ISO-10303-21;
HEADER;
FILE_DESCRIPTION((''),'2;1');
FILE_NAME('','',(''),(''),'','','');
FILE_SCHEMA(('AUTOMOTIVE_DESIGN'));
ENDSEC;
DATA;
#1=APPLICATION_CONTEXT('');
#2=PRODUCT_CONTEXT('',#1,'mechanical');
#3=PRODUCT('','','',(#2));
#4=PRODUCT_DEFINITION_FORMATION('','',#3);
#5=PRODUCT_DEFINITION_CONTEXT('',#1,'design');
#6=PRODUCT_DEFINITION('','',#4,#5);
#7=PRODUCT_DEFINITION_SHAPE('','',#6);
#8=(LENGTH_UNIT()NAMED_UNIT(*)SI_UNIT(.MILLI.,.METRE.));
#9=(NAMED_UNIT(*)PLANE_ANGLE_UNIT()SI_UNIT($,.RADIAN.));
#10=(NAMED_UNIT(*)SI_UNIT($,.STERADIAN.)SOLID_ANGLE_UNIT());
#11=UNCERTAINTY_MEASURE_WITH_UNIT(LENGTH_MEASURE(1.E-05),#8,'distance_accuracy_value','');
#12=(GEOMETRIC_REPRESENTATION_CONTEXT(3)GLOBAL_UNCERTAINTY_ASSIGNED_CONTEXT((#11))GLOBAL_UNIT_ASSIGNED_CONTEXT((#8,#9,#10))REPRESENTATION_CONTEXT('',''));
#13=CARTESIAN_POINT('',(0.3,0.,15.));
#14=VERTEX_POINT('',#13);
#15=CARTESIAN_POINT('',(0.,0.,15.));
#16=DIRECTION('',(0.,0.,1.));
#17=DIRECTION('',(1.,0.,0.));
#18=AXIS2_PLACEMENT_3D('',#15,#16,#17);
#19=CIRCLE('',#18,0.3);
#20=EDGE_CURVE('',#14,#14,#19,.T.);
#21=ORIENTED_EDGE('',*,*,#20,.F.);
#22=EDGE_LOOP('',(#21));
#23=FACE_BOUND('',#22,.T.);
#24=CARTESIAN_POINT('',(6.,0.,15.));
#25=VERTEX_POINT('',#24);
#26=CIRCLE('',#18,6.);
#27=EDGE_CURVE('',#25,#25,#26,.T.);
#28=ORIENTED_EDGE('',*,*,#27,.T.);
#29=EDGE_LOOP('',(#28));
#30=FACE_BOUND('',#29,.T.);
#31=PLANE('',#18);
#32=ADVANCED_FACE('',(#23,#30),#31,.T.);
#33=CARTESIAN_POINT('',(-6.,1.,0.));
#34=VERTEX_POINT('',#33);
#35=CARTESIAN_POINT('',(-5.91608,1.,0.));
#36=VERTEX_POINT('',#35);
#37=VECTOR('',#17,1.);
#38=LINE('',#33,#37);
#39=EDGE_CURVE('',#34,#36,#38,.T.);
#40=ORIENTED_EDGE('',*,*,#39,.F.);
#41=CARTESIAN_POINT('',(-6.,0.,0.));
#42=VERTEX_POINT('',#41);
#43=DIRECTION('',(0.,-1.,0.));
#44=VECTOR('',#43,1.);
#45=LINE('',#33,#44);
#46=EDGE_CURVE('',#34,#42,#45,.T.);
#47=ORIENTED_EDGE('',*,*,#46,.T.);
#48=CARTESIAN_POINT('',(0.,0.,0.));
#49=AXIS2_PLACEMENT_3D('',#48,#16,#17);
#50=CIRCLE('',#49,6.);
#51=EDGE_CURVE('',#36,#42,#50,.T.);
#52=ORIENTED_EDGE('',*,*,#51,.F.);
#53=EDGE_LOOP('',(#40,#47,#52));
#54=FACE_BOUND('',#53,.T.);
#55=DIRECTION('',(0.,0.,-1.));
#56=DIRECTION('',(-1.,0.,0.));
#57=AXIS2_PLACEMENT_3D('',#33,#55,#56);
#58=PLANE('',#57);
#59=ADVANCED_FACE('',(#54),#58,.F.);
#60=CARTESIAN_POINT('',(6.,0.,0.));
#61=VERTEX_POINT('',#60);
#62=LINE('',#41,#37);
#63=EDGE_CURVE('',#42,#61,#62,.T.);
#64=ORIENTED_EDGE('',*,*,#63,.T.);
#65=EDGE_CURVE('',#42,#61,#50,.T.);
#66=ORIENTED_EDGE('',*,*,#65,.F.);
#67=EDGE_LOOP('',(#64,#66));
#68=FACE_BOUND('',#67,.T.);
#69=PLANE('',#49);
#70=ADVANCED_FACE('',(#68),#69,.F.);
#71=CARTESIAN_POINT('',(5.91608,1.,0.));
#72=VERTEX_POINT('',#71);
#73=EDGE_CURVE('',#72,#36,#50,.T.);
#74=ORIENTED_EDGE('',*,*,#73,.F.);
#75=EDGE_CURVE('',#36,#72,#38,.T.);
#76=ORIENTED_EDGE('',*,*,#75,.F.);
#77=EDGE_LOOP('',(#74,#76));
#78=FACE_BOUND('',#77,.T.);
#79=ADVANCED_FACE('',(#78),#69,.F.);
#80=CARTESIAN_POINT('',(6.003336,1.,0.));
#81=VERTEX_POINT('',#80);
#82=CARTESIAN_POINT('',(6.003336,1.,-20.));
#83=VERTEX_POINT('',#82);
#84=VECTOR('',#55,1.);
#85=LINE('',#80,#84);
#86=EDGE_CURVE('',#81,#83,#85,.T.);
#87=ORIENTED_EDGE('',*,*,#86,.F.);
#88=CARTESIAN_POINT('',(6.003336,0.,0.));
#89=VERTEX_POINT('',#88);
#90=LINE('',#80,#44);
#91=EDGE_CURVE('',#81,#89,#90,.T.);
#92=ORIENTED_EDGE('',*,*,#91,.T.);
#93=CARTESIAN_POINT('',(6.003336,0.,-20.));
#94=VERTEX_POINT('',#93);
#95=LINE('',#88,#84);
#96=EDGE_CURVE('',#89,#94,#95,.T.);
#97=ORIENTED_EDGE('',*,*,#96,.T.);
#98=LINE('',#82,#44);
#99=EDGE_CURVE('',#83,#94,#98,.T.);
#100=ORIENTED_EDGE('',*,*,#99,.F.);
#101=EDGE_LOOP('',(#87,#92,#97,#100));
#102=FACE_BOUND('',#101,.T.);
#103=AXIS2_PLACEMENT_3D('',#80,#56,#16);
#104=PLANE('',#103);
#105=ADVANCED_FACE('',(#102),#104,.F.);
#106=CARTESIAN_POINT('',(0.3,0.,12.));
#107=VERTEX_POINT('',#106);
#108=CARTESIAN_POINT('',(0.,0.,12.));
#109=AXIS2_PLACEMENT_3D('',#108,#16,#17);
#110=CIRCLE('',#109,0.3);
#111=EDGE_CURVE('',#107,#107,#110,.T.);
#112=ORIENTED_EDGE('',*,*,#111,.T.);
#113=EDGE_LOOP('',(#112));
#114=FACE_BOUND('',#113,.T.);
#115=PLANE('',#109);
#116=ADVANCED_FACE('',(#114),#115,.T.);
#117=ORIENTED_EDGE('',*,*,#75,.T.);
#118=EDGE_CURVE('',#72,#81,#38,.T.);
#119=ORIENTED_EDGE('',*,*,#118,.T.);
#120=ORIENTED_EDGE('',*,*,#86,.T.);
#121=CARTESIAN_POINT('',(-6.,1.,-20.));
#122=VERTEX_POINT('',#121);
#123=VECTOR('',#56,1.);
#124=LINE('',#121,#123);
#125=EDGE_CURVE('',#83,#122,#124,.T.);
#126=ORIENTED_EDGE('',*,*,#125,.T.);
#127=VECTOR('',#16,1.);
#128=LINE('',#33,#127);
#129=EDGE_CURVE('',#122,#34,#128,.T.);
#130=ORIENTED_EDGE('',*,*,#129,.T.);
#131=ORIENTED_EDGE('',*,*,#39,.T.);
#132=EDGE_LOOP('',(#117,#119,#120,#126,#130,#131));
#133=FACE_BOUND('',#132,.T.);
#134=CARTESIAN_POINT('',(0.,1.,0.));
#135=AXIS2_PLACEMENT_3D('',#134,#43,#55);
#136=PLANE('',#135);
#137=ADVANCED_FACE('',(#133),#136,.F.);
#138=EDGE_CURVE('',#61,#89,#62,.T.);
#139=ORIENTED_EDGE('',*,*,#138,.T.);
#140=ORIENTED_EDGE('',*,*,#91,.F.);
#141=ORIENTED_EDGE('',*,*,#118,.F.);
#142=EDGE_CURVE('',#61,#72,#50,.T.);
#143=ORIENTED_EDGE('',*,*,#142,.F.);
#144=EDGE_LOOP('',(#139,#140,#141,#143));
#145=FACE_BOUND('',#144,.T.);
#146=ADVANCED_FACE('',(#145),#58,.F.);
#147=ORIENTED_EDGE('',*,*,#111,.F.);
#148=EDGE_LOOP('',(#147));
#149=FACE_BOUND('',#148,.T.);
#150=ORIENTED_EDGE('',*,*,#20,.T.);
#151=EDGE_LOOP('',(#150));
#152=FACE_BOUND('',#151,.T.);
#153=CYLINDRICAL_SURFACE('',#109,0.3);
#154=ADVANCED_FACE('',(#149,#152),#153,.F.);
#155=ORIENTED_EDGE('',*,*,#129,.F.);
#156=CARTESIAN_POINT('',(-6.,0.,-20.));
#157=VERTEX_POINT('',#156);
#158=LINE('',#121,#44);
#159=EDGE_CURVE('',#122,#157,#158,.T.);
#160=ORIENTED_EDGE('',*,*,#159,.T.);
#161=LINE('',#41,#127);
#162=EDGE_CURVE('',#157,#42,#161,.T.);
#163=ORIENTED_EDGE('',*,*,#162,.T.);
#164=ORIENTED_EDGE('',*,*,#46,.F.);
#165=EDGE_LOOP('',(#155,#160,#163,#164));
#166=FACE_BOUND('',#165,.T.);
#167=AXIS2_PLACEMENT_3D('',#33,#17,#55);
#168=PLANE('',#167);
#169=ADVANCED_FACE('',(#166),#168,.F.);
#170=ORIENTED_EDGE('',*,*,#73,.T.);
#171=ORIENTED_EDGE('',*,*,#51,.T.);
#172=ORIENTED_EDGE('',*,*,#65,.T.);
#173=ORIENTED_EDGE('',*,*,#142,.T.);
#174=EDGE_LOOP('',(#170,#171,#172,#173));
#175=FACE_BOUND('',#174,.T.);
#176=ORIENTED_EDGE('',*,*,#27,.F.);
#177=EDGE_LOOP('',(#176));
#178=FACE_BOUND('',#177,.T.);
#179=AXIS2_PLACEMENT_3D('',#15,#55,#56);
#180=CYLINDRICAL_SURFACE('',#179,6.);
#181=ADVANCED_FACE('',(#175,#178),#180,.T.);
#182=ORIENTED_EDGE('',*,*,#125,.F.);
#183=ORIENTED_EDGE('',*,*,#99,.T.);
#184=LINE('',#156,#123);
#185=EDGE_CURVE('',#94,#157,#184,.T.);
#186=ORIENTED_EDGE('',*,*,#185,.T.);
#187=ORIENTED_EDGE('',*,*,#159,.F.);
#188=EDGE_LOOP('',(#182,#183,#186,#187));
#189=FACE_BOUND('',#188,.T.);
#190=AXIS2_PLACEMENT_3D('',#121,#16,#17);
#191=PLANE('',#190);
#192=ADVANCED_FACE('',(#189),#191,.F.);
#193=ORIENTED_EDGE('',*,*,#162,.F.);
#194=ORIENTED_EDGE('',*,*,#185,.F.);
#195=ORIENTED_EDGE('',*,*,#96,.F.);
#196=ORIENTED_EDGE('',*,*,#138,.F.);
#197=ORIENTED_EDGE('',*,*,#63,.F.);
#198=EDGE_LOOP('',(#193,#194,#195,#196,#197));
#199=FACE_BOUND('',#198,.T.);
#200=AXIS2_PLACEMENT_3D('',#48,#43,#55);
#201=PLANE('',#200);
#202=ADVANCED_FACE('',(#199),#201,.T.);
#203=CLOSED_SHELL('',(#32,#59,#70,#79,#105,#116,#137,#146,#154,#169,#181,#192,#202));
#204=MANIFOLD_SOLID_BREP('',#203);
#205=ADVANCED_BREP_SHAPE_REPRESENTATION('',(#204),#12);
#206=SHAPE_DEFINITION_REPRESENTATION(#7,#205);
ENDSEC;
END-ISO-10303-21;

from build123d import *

# Parameters (mm, degrees)
ESQUISSE1_R             = 6
BOSS_EXTRU_1_DEPTH      = 15
ESQUISSE2_R             = 0.3
ENL_V_MAT_EXTRU_1_DEPTH = 3
ESQUISSE3_W             = 12.003336486
ESQUISSE3_H             = 20
BOSS_EXTRU_2_DEPTH      = 1


with BuildPart() as part:
    # Esquisse1 → Boss.-Extru.1 (new body)
    with BuildSketch(Plane.XY):
        Circle(ESQUISSE1_R)
    extrude(amount=BOSS_EXTRU_1_DEPTH)

    # Esquisse2 → Enlèv. mat.-Extru.1 (cut)
    with BuildSketch(Plane.XY.offset(15)):
        Circle(ESQUISSE2_R)
    extrude(amount=-ENL_V_MAT_EXTRU_1_DEPTH, mode=Mode.SUBTRACT)

    # Esquisse3 → Boss.-Extru.2 (add)
    with BuildSketch(Plane(origin=(0, 0, 0), x_dir=(1, 0, 0), z_dir=(0, 1, 0))):
        with Locations((0.001668243, 10)):
            Rectangle(ESQUISSE3_W, ESQUISSE3_H)
    extrude(amount=BOSS_EXTRU_2_DEPTH)


solid = part.part
